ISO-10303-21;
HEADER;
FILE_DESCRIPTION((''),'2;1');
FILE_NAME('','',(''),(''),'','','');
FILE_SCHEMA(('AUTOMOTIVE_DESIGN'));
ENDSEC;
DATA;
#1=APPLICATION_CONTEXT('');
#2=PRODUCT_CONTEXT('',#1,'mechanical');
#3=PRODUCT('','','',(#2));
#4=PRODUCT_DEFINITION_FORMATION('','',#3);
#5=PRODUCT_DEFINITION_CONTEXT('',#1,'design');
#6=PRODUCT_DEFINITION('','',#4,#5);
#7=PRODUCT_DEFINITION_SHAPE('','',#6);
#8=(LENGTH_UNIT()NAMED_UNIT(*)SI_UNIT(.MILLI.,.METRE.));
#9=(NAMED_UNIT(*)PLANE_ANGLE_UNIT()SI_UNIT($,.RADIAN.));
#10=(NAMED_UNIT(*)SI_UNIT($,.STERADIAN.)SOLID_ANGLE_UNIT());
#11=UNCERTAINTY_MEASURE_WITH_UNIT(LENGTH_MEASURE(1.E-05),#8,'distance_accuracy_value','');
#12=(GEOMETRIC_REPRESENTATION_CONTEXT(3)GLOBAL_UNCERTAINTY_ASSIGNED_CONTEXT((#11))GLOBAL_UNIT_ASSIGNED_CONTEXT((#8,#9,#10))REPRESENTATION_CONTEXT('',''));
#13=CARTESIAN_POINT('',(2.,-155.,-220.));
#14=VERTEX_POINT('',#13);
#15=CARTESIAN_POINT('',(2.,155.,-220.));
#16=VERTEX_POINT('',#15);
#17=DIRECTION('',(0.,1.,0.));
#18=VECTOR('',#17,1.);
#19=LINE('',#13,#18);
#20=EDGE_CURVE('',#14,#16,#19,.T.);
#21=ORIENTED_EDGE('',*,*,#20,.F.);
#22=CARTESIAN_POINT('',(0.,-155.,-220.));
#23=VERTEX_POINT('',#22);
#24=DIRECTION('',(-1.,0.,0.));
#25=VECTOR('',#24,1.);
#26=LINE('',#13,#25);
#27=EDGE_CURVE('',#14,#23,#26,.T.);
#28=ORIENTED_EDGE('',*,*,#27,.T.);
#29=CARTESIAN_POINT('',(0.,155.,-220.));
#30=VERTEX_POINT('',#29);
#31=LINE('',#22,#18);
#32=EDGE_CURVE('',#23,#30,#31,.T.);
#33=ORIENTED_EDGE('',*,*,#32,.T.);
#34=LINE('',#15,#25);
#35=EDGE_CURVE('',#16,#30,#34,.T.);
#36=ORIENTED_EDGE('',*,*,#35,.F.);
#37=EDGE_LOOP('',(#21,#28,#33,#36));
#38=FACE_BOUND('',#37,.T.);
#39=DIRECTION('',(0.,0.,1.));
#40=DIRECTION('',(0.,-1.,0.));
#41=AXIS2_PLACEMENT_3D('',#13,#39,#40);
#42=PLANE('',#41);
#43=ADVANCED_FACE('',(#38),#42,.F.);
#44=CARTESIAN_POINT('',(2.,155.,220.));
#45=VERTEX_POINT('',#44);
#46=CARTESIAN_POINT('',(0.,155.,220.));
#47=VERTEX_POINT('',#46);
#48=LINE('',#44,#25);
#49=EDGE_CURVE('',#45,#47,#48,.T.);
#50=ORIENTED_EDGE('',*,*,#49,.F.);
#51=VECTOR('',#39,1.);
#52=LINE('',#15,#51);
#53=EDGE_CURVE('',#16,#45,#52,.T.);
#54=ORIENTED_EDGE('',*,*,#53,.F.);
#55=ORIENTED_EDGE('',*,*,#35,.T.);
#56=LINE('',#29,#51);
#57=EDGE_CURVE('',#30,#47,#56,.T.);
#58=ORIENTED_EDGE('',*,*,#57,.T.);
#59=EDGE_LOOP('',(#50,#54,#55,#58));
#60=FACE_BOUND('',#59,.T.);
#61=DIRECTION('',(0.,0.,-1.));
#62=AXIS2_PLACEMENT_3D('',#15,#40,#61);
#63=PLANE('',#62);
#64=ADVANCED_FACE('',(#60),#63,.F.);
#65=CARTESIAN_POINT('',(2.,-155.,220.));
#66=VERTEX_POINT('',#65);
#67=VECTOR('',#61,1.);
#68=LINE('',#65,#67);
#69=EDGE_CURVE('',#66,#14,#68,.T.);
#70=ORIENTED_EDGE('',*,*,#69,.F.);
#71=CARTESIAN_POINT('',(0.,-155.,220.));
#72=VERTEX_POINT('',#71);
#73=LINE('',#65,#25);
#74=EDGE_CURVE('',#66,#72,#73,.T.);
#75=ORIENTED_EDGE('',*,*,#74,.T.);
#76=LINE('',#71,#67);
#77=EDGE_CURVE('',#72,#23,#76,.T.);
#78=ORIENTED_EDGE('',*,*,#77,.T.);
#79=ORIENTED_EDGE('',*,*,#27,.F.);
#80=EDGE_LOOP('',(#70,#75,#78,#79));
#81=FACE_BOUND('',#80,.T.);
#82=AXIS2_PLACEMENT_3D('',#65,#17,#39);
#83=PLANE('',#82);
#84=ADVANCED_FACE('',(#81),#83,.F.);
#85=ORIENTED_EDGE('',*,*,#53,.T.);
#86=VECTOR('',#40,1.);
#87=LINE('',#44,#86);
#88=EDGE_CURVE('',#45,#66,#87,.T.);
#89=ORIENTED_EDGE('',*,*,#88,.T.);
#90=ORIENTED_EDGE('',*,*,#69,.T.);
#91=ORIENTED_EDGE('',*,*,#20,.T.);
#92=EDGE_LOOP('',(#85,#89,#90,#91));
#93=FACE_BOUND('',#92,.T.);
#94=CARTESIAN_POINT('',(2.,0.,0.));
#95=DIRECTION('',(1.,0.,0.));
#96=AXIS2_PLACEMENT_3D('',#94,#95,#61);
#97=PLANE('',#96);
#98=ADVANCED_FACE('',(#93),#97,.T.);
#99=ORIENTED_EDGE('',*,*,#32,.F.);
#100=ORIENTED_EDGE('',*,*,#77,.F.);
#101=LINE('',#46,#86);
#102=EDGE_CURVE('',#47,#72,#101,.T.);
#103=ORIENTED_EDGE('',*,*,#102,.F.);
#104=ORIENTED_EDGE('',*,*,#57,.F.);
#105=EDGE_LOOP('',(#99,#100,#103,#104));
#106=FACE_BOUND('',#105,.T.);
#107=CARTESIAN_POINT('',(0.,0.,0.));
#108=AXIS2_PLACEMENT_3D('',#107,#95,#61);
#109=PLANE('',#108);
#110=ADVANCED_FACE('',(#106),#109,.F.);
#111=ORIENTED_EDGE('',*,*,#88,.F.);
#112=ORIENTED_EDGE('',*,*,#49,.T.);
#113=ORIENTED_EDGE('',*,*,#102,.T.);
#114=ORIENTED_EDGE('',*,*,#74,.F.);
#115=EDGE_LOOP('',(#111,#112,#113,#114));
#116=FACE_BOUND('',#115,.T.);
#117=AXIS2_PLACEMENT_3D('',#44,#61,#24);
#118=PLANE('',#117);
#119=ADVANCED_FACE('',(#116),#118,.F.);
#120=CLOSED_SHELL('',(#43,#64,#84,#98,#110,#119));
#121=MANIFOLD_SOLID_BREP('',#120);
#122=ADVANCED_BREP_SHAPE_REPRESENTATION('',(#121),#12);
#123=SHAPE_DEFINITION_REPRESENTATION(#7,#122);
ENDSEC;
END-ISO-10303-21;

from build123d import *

# Parameters (mm, degrees)
ESQUISSE1_W        = 440
ESQUISSE1_H        = 310
BOSS_EXTRU_1_DEPTH = 2


with BuildPart() as part:
    # Esquisse1 → Boss.-Extru.1 (new body)
    with BuildSketch(Plane(origin=(0, 0, 0), x_dir=(0, 0, -1), z_dir=(1, 0, 0))):
        Rectangle(ESQUISSE1_W, ESQUISSE1_H)
    extrude(amount=BOSS_EXTRU_1_DEPTH)


solid = part.part
